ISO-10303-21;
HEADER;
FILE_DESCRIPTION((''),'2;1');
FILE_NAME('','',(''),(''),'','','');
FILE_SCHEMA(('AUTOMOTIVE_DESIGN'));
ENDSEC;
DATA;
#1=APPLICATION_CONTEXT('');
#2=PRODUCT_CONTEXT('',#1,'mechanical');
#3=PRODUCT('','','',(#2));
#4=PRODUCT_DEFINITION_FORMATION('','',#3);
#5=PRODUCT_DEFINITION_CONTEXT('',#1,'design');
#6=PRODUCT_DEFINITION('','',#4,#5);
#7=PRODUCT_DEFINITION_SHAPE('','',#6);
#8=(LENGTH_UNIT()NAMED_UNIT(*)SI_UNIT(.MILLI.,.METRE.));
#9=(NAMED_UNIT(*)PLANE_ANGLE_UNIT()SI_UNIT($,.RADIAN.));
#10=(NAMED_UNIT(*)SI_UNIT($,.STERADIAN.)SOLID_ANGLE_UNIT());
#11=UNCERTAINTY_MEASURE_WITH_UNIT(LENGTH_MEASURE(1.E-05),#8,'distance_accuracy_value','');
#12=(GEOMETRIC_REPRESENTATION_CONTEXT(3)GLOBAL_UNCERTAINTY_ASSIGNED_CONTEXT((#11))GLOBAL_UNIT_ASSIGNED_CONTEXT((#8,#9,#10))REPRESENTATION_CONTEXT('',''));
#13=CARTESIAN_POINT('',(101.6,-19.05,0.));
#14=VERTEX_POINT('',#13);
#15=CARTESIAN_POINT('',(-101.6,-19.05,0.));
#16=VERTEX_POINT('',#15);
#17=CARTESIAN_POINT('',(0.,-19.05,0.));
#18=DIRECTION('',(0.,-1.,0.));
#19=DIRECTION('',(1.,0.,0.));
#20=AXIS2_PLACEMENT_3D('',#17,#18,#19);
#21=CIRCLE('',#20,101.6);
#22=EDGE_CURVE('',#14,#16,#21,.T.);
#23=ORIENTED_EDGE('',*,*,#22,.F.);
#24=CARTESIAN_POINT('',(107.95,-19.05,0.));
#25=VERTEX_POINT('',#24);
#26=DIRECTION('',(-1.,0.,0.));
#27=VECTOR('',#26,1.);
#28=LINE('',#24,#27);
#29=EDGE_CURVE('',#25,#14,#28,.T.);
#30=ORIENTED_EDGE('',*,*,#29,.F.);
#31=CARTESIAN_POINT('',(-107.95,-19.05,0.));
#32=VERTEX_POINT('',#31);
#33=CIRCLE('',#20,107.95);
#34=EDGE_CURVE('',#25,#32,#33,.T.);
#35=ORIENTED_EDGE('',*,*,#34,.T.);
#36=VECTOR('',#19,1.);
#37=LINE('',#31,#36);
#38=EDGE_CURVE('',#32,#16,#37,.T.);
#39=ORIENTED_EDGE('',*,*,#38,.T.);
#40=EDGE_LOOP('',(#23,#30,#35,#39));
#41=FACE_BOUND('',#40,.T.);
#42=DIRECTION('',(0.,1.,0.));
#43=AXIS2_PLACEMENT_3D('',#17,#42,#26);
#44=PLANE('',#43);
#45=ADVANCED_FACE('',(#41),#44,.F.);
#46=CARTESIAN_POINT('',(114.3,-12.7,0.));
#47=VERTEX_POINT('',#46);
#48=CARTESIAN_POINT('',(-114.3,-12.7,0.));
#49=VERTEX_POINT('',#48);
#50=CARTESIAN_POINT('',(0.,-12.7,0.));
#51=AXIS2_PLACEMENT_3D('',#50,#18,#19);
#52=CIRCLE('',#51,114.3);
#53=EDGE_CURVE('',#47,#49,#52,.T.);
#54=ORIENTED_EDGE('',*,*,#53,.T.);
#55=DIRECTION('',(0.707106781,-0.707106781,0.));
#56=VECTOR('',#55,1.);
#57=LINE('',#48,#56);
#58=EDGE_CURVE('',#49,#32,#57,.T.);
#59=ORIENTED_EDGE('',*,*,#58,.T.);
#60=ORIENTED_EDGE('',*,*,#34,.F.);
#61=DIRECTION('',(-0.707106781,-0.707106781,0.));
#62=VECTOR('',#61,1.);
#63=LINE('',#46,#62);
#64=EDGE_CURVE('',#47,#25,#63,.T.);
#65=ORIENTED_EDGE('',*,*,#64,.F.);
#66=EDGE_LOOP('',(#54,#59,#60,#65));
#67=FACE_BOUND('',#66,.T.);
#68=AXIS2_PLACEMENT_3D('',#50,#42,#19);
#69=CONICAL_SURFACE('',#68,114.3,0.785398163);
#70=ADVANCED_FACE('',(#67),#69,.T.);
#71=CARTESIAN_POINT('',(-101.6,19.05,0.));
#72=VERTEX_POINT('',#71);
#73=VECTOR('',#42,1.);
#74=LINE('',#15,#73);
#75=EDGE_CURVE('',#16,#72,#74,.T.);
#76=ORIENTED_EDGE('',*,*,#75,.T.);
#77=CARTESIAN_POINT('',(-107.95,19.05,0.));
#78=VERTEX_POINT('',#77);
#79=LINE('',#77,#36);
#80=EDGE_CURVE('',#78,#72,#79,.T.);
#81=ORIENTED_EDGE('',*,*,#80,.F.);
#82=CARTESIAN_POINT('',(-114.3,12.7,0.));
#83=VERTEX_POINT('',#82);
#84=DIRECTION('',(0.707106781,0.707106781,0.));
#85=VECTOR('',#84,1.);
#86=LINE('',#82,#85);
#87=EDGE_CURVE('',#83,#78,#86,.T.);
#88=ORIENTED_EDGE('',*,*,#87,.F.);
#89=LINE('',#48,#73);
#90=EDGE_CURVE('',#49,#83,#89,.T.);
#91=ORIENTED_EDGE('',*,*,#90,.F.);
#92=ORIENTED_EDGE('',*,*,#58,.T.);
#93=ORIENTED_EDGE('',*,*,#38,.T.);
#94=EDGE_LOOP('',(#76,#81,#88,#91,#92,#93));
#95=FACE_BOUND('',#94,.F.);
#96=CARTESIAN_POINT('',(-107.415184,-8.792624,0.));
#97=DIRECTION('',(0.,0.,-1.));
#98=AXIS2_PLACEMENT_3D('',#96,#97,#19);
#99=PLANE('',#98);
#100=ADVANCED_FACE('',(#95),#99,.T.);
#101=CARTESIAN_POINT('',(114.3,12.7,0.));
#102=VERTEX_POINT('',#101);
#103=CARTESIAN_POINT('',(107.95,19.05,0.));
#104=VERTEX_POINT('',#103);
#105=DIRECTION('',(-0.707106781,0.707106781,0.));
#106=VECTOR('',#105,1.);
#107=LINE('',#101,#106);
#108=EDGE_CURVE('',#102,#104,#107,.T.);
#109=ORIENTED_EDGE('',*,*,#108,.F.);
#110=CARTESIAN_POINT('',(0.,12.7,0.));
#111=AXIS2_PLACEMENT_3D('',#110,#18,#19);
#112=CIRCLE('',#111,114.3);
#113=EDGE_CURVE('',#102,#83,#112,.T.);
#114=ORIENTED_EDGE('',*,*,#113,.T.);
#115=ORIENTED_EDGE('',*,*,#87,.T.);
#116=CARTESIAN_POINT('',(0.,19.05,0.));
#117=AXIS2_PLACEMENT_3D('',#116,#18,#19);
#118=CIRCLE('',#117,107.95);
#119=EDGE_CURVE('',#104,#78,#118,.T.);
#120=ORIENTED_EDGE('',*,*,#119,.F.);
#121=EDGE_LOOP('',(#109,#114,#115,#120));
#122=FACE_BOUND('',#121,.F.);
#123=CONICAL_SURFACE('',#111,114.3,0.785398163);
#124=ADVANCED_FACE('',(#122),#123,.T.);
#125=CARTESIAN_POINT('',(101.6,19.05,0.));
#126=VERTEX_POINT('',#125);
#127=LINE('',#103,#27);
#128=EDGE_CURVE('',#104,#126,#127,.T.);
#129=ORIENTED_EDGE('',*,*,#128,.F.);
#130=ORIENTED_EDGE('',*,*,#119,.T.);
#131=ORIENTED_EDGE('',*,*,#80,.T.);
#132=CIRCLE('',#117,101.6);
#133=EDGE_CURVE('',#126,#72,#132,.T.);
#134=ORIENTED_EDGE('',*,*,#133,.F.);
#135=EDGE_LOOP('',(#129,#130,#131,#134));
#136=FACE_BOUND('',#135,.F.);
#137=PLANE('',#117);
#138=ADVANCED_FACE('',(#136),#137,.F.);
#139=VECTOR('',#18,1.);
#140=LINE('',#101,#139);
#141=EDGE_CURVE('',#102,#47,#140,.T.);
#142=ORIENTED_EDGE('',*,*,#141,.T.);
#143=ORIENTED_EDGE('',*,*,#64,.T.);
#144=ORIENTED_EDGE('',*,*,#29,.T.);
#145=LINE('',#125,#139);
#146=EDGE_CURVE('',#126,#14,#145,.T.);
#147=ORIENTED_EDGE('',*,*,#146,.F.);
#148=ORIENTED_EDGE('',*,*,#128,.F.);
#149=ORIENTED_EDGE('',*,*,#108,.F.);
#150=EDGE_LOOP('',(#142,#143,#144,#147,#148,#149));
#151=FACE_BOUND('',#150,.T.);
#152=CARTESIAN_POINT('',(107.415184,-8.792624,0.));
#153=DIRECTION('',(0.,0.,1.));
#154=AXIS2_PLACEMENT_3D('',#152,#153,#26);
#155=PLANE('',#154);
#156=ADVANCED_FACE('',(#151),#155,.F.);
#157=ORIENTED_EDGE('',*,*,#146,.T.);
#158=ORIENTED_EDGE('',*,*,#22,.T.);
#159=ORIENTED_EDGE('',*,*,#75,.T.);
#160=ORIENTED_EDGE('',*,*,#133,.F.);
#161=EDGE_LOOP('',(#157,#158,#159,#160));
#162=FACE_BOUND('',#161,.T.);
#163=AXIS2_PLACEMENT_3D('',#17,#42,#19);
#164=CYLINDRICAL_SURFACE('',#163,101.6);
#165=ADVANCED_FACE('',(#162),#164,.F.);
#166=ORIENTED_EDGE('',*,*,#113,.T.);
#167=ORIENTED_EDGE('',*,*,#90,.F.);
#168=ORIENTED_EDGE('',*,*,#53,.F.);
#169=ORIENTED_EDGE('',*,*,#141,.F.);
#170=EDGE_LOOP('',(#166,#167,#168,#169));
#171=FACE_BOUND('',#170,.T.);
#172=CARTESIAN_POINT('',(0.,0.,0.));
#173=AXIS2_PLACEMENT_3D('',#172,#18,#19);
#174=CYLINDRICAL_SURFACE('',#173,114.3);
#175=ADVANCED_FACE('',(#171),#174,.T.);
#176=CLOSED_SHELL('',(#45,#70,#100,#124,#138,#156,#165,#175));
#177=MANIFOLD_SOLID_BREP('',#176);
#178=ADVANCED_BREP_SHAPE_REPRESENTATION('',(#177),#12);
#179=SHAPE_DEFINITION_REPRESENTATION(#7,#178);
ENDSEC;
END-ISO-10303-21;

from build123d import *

# Parameters (mm, degrees)
F1_ANGLE = 180


with BuildPart() as f1:
    # F0 (on Top) → F1 (revolve)
    with BuildSketch(Plane.XY):
        Polygon((107.95, 19.05), (101.6, 19.05), (101.6, 0), (114.3, 0), (114.3, 12.7), align=None)
    revolve(axis=Axis((0, 5.0604422272, 0), (0, -1, 0)), revolution_arc=F1_ANGLE)

    # F2: F1 across plane


with BuildPart() as f1_1:
    add(f1.part)
    add(f1.part.mirror(Plane.XZ))


solid = f1_1.part
